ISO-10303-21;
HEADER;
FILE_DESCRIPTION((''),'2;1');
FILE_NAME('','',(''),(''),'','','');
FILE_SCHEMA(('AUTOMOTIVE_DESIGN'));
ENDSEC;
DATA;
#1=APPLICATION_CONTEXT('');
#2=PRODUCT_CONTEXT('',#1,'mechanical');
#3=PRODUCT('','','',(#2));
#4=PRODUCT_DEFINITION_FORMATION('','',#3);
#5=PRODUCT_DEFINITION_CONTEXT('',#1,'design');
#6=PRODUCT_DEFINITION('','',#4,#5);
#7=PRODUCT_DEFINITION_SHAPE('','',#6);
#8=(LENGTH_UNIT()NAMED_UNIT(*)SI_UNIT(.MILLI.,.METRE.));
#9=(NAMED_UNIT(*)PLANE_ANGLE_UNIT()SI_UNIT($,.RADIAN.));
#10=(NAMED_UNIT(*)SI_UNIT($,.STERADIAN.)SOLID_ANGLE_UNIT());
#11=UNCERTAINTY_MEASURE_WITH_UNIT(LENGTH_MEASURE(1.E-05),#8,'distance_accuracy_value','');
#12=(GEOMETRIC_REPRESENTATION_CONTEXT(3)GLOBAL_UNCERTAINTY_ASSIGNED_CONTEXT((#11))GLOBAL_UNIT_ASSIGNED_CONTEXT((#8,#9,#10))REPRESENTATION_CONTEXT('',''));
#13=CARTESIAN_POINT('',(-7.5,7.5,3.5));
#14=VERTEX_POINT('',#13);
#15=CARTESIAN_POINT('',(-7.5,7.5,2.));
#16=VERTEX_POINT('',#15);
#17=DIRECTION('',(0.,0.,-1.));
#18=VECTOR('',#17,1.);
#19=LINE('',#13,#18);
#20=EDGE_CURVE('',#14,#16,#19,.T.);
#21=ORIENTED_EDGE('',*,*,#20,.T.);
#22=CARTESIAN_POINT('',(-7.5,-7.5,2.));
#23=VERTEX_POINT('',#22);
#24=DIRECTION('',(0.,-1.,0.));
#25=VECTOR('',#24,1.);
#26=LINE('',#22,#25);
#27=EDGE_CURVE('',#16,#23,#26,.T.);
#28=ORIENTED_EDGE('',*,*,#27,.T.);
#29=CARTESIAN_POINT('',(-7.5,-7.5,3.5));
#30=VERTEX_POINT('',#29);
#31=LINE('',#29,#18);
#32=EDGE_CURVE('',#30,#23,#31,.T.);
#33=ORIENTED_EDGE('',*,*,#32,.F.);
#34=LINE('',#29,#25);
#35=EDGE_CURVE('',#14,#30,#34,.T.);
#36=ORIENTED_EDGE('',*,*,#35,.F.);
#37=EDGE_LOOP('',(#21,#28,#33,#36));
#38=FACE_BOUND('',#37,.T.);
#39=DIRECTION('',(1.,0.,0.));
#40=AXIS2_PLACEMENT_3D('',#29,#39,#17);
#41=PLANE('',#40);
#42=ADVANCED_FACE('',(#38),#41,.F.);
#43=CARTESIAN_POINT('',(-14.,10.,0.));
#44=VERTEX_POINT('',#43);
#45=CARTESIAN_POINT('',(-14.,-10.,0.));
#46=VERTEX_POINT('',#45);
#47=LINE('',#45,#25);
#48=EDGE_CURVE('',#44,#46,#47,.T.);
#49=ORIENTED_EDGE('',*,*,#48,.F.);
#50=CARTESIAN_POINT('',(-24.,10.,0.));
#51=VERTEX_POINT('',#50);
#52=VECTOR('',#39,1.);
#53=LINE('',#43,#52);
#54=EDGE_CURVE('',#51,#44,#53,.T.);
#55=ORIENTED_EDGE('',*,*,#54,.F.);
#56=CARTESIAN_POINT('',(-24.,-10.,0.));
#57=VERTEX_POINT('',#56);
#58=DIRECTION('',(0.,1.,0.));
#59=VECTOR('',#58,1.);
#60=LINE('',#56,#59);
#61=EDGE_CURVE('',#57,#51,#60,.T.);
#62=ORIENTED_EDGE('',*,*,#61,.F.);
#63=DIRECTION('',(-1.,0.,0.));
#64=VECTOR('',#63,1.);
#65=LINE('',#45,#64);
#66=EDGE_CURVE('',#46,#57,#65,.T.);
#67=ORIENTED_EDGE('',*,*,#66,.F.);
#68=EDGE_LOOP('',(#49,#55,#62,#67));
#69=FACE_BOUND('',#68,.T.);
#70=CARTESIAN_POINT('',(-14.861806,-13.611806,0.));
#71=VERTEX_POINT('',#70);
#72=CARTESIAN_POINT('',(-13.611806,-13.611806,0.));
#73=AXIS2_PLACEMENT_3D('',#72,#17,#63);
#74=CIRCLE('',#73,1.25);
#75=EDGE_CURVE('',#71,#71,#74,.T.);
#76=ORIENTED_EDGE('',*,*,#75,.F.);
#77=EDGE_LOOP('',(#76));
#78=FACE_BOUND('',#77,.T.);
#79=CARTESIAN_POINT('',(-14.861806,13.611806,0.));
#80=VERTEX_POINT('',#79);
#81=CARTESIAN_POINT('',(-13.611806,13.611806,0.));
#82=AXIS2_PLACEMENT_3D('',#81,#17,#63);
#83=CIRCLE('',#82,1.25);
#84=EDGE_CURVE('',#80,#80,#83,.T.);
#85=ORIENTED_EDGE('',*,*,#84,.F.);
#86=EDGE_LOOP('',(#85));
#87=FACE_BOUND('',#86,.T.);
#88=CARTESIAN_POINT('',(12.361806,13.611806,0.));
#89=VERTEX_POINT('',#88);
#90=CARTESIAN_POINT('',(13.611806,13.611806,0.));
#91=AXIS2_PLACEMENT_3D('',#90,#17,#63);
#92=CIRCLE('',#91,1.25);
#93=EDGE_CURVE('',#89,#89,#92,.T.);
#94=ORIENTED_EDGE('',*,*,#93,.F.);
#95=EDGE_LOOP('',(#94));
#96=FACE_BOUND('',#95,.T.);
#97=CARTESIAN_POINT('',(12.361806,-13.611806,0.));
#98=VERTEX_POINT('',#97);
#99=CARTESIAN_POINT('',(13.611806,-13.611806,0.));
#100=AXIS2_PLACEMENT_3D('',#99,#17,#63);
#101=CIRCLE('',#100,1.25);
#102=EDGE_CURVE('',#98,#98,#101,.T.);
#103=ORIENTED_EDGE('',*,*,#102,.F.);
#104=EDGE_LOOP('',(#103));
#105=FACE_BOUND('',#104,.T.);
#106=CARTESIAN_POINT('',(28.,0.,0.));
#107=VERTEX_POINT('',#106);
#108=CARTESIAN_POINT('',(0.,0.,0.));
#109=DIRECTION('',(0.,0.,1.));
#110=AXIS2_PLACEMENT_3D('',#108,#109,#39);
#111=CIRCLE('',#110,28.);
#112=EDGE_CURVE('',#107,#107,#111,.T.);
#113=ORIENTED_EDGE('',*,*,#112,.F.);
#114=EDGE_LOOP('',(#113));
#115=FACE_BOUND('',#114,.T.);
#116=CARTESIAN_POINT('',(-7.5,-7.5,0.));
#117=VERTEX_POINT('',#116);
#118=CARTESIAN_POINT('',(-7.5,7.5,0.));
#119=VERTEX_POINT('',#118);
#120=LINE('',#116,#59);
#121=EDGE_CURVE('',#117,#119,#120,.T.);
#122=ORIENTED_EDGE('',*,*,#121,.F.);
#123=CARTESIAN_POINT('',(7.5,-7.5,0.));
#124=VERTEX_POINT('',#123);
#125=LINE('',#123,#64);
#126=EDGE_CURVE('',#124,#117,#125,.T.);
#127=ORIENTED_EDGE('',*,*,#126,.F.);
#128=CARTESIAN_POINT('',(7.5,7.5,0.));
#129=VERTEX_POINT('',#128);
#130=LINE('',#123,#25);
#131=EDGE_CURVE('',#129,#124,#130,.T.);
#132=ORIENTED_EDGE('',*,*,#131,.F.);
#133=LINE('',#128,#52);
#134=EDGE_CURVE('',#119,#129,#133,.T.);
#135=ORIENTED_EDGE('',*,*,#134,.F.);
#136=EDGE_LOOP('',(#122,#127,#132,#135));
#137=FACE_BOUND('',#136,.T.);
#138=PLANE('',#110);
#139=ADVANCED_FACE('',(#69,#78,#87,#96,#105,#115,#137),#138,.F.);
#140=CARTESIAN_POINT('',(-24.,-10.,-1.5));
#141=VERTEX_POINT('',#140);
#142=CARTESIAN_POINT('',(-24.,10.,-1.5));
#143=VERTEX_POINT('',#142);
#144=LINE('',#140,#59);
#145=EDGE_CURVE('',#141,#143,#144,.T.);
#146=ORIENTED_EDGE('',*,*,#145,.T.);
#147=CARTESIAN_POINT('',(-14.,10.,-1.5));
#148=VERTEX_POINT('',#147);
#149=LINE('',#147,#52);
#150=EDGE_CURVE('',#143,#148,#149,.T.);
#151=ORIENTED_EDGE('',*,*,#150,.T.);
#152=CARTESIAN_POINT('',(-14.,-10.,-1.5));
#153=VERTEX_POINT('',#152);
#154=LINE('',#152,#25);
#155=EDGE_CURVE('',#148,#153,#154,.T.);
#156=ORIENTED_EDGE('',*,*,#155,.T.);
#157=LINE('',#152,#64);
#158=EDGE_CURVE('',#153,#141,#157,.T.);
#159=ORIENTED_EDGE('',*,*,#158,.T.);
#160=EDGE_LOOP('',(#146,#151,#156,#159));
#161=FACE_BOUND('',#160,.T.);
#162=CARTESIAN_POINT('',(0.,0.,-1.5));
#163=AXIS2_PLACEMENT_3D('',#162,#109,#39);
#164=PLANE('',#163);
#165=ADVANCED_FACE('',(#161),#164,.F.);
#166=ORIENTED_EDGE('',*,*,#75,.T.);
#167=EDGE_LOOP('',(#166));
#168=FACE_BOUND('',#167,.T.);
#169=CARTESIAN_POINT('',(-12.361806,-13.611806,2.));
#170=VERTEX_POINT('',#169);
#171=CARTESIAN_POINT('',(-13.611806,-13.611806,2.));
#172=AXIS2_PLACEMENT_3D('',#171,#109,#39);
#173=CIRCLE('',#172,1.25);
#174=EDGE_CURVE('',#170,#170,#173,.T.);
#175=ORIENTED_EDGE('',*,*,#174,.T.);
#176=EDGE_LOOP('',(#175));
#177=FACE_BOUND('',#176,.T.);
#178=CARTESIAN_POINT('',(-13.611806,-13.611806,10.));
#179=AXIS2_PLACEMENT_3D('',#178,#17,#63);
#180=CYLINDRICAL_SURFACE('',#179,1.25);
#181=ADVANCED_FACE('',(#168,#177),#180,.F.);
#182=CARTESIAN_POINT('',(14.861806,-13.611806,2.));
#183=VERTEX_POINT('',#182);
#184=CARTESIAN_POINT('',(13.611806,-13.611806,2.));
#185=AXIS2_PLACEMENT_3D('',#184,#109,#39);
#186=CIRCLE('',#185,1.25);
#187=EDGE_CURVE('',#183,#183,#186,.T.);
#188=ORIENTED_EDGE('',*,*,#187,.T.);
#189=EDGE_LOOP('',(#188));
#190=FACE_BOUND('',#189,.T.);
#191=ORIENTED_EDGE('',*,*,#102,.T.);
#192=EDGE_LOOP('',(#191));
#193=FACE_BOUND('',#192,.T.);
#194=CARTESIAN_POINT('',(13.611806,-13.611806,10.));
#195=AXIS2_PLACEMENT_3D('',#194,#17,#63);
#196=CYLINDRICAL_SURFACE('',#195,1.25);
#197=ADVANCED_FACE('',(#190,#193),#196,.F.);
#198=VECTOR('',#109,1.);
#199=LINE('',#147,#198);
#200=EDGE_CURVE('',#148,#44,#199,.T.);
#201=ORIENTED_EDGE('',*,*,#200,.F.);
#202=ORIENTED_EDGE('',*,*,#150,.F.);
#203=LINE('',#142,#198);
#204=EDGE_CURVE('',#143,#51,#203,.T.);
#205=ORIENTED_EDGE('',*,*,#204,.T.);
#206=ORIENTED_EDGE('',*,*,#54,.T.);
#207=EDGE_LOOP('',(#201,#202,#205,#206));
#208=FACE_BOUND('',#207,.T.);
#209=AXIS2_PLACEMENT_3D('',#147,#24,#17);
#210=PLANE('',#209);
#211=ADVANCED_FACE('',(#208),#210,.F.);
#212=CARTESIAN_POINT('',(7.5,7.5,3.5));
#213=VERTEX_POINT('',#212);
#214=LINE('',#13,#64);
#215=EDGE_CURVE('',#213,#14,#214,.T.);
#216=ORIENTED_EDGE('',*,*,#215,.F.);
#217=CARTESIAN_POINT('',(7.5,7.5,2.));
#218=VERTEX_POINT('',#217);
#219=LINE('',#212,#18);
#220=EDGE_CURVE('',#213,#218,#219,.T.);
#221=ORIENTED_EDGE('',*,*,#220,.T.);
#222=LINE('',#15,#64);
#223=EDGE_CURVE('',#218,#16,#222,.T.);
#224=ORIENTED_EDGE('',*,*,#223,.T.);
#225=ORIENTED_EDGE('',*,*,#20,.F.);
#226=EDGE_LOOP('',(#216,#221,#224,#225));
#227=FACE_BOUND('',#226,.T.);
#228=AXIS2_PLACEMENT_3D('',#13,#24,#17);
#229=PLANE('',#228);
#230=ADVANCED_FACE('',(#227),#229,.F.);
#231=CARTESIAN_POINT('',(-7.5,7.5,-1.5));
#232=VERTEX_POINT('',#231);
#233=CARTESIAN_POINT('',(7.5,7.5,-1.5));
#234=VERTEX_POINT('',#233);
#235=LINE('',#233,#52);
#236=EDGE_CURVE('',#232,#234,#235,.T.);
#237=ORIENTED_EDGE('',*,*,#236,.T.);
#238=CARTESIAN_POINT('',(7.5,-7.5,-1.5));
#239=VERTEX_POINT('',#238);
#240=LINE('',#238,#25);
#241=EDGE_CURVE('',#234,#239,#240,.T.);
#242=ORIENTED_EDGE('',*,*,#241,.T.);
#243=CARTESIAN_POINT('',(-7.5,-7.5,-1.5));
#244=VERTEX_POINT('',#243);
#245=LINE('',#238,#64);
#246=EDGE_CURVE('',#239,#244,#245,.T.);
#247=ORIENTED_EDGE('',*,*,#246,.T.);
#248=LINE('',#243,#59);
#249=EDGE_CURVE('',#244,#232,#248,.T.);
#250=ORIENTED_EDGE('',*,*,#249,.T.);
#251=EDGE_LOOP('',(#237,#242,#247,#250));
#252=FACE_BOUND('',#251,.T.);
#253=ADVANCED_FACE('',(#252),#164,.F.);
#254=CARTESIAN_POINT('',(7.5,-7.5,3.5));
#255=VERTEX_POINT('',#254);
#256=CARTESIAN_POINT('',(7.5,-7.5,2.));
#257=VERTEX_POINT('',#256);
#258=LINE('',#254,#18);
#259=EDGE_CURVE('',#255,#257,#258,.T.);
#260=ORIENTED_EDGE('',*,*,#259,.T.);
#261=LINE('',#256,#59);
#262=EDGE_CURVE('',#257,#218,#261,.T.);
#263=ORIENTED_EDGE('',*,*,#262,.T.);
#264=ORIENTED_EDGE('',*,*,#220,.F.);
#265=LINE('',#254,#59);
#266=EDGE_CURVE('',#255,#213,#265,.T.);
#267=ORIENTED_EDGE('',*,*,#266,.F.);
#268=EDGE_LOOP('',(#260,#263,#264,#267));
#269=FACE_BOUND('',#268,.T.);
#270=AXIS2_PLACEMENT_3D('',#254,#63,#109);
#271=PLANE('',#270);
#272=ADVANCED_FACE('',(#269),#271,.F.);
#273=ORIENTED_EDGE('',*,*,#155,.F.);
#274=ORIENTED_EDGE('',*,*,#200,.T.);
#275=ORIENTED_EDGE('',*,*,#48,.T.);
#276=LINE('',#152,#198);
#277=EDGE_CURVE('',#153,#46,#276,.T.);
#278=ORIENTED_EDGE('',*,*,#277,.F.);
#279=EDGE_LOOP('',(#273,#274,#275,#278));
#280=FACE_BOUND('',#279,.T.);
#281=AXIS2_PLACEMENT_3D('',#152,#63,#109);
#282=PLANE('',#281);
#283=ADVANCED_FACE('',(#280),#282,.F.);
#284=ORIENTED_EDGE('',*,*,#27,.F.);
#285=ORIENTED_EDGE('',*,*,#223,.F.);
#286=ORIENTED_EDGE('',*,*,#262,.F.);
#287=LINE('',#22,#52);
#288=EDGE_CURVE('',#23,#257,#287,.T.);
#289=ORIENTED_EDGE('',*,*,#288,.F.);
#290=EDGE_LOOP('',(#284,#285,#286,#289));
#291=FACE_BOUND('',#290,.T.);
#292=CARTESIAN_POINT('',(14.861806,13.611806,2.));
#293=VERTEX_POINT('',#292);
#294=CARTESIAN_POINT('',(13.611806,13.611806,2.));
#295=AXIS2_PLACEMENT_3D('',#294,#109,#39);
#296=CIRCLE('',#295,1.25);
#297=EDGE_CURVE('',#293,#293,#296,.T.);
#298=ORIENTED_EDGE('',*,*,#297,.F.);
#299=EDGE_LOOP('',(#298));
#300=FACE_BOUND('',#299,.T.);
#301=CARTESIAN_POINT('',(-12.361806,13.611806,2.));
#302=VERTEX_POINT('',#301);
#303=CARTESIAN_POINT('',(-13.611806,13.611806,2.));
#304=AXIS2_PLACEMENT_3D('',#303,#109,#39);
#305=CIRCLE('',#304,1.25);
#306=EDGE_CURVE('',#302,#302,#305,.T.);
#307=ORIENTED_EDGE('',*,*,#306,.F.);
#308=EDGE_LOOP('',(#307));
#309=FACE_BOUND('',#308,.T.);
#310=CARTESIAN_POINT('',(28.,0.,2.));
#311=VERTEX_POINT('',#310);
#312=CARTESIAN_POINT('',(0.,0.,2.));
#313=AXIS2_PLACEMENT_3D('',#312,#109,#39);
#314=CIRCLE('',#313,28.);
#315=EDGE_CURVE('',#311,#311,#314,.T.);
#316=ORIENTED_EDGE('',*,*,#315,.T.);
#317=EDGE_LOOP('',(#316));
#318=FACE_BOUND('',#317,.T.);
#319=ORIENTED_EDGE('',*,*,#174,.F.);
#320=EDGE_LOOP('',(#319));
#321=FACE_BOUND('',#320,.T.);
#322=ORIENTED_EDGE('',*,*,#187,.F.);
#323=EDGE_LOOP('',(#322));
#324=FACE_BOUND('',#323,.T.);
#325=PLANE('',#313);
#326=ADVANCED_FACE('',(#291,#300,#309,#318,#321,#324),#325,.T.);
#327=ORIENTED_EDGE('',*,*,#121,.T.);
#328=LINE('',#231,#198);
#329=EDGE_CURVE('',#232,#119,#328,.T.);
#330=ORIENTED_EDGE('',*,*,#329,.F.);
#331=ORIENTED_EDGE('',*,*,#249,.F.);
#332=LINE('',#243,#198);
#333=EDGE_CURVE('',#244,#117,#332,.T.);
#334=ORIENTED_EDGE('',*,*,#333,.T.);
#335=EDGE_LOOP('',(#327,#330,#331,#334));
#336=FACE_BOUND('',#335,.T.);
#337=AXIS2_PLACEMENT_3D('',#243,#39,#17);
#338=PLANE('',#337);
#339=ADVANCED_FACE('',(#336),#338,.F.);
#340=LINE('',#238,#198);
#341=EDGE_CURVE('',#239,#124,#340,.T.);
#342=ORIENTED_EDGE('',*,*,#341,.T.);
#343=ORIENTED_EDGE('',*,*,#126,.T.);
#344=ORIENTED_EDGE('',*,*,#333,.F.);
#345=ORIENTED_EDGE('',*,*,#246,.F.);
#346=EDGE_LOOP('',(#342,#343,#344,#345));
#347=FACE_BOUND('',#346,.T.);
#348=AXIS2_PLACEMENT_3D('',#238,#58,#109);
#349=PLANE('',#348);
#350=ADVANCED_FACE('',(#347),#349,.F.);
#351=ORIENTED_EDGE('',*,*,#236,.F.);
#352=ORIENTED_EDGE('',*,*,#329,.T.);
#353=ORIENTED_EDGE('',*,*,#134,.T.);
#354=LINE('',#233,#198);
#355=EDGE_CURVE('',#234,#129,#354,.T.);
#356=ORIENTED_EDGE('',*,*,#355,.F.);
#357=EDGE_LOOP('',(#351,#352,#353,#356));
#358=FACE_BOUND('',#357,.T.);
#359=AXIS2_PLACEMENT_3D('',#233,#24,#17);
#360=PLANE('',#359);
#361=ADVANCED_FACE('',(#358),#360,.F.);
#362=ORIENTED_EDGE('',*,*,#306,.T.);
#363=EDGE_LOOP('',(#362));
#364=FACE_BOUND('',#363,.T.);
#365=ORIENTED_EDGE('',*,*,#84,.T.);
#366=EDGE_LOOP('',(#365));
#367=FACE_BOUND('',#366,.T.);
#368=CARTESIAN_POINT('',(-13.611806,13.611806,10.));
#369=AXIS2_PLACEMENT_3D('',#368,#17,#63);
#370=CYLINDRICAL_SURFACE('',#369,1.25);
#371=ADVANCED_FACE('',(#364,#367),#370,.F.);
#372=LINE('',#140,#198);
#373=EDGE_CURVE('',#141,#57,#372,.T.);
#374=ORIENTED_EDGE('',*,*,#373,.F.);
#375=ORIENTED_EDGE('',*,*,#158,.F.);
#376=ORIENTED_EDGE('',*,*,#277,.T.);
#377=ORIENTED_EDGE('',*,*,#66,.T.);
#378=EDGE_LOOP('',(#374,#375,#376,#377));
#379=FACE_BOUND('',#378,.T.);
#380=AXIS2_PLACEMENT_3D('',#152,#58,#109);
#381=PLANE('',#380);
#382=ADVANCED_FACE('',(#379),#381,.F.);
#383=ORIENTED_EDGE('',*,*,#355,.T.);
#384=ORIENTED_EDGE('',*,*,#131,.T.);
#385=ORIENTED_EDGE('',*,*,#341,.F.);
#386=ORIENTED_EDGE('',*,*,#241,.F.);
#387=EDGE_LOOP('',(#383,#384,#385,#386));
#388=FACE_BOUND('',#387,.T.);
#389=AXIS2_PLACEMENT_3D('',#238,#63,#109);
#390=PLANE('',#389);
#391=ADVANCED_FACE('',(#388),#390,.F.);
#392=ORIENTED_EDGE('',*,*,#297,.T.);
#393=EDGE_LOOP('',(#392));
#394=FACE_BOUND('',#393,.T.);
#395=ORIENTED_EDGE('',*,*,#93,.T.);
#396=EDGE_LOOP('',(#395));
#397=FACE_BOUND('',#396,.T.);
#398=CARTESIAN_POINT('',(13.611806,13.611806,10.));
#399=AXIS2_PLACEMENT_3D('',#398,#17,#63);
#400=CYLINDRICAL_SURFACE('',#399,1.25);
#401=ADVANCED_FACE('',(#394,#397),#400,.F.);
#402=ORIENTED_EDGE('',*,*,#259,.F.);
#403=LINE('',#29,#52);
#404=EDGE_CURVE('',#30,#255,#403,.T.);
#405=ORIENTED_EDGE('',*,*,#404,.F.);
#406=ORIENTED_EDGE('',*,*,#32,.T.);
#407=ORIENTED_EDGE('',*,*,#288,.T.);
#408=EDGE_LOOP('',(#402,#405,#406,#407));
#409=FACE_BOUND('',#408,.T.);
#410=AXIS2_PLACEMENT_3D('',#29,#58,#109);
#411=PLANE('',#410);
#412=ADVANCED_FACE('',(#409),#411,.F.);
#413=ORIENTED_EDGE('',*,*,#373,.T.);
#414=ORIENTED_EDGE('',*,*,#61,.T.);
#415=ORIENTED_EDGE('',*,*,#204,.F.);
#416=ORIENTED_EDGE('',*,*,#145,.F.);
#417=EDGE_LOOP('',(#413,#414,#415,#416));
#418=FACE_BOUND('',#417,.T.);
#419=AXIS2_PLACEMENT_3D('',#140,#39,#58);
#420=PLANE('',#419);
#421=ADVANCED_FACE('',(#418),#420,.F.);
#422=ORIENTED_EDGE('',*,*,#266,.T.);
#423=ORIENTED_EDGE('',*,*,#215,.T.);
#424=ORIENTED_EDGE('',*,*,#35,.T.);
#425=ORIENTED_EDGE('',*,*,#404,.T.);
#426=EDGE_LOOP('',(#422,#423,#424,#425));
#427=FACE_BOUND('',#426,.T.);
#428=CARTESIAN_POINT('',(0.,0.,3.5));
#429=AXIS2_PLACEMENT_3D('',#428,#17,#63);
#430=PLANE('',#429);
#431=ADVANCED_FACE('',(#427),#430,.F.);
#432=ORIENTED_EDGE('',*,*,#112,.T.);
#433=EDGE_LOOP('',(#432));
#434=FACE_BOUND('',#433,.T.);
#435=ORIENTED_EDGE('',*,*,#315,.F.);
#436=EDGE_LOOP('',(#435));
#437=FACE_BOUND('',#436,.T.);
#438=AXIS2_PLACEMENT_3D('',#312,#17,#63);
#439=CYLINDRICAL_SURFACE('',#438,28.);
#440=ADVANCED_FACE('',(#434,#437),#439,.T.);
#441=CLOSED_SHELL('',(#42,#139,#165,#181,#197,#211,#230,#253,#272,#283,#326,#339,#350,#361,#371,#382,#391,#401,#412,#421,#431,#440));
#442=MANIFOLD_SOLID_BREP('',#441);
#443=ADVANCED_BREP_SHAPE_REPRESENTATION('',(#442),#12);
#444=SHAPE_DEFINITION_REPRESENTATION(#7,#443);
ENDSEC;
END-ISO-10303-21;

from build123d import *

# Parameters (mm, degrees)
SKETCH_1_R          = 28
EXTRUDE_1_DEPTH     = 2
SKETCH_2_W          = 15
SKETCH_2_H          = 15
EXTRUDE_2_DEPTH     = 1.5
SKETCH_4_W          = 10
SKETCH_4_H          = 20
EXTRUDE_3_DEPTH     = 1.5
SKETCH_5_W          = 15
SKETCH_5_H          = 15
EXTRUDE_4_DEPTH     = 1.5
CUT_EXTRUDE_1_DEPTH = 10


with BuildPart() as part:
    # 草图1 → 凸台-拉伸1 (new body)
    with BuildSketch(Plane.XY):
        Circle(SKETCH_1_R)
    extrude(amount=EXTRUDE_1_DEPTH)

    # 草图2 → 凸台-拉伸2 (add)
    with BuildSketch(Plane.XY.offset(2)):
        Rectangle(SKETCH_2_W, SKETCH_2_H)
    extrude(amount=EXTRUDE_2_DEPTH)

    # 草图4 → 凸台-拉伸3 (add)
    with BuildSketch(Plane(origin=(0, 0, 0), x_dir=(-1, 0, 0), z_dir=(0, 0, -1))):
        with Locations((19, 0)):
            Rectangle(SKETCH_4_W, SKETCH_4_H)
    extrude(amount=EXTRUDE_3_DEPTH)

    # 草图5 → 凸台-拉伸4 (add)
    with BuildSketch(Plane(origin=(0, 0, 0), x_dir=(-1, 0, 0), z_dir=(0, 0, -1))):
        Rectangle(SKETCH_5_W, SKETCH_5_H)
    extrude(amount=EXTRUDE_4_DEPTH)

    # 草图6 → 切除-拉伸1 (cut)
    with BuildSketch(Plane(origin=(0, 0, 0), x_dir=(-1, 0, 0), z_dir=(0, 0, -1))):
        with BuildLine():
            ThreePointArc((-14.495689014, 14.495689014), (-14.495689014, 12.727922061), (-12.727922061, 12.727922061))
            Line((-12.727922061, 12.727922061), (-14.495689014, 14.495689014))
        make_face()
        with BuildLine():
            Line((-14.495689014, 14.495689014), (-12.727922061, 12.727922061))
            ThreePointArc((-12.727922061, 12.727922061), (-12.456956122, 13.133451247), (-12.361805538, 13.611805538))
            ThreePointArc((-12.361805538, 13.611805538), (-13.133451247, 14.766654953), (-14.495689014, 14.495689014))
        make_face()
        with BuildLine():
            ThreePointArc((-12.361805538, -13.611805538), (-12.456956122, -13.133451247), (-12.727922061, -12.727922061))
            Line((-12.727922061, -12.727922061), (-14.495689014, -14.495689014))
            ThreePointArc((-14.495689014, -14.495689014), (-13.133451247, -14.766654953), (-12.361805538, -13.611805538))
        make_face()
        with BuildLine():
            Line((-14.495689014, -14.495689014), (-12.727922061, -12.727922061))
            ThreePointArc((-12.727922061, -12.727922061), (-14.495689014, -12.727922061), (-14.495689014, -14.495689014))
        make_face()
        with BuildLine():
            ThreePointArc((14.861805538, -13.611805538), (14.090159828, -12.456956122), (12.727922061, -12.727922061))
            Line((12.727922061, -12.727922061), (14.495689014, -14.495689014))
            ThreePointArc((14.495689014, -14.495689014), (14.766654953, -14.090159828), (14.861805538, -13.611805538))
        make_face()
        with BuildLine():
            Line((14.495689014, -14.495689014), (12.727922061, -12.727922061))
            ThreePointArc((12.727922061, -12.727922061), (12.727922061, -14.495689014), (14.495689014, -14.495689014))
        make_face()
        with BuildLine():
            ThreePointArc((14.495689014, 14.495689014), (12.727922061, 14.495689014), (12.727922061, 12.727922061))
            Line((12.727922061, 12.727922061), (14.495689014, 14.495689014))
        make_face()
        with BuildLine():
            Line((14.495689014, 14.495689014), (12.727922061, 12.727922061))
            ThreePointArc((12.727922061, 12.727922061), (14.090159828, 12.456956122), (14.861805538, 13.611805538))
            ThreePointArc((14.861805538, 13.611805538), (14.766654953, 14.090159828), (14.495689014, 14.495689014))
        make_face()
    extrude(amount=-CUT_EXTRUDE_1_DEPTH, mode=Mode.SUBTRACT)


solid = part.part
